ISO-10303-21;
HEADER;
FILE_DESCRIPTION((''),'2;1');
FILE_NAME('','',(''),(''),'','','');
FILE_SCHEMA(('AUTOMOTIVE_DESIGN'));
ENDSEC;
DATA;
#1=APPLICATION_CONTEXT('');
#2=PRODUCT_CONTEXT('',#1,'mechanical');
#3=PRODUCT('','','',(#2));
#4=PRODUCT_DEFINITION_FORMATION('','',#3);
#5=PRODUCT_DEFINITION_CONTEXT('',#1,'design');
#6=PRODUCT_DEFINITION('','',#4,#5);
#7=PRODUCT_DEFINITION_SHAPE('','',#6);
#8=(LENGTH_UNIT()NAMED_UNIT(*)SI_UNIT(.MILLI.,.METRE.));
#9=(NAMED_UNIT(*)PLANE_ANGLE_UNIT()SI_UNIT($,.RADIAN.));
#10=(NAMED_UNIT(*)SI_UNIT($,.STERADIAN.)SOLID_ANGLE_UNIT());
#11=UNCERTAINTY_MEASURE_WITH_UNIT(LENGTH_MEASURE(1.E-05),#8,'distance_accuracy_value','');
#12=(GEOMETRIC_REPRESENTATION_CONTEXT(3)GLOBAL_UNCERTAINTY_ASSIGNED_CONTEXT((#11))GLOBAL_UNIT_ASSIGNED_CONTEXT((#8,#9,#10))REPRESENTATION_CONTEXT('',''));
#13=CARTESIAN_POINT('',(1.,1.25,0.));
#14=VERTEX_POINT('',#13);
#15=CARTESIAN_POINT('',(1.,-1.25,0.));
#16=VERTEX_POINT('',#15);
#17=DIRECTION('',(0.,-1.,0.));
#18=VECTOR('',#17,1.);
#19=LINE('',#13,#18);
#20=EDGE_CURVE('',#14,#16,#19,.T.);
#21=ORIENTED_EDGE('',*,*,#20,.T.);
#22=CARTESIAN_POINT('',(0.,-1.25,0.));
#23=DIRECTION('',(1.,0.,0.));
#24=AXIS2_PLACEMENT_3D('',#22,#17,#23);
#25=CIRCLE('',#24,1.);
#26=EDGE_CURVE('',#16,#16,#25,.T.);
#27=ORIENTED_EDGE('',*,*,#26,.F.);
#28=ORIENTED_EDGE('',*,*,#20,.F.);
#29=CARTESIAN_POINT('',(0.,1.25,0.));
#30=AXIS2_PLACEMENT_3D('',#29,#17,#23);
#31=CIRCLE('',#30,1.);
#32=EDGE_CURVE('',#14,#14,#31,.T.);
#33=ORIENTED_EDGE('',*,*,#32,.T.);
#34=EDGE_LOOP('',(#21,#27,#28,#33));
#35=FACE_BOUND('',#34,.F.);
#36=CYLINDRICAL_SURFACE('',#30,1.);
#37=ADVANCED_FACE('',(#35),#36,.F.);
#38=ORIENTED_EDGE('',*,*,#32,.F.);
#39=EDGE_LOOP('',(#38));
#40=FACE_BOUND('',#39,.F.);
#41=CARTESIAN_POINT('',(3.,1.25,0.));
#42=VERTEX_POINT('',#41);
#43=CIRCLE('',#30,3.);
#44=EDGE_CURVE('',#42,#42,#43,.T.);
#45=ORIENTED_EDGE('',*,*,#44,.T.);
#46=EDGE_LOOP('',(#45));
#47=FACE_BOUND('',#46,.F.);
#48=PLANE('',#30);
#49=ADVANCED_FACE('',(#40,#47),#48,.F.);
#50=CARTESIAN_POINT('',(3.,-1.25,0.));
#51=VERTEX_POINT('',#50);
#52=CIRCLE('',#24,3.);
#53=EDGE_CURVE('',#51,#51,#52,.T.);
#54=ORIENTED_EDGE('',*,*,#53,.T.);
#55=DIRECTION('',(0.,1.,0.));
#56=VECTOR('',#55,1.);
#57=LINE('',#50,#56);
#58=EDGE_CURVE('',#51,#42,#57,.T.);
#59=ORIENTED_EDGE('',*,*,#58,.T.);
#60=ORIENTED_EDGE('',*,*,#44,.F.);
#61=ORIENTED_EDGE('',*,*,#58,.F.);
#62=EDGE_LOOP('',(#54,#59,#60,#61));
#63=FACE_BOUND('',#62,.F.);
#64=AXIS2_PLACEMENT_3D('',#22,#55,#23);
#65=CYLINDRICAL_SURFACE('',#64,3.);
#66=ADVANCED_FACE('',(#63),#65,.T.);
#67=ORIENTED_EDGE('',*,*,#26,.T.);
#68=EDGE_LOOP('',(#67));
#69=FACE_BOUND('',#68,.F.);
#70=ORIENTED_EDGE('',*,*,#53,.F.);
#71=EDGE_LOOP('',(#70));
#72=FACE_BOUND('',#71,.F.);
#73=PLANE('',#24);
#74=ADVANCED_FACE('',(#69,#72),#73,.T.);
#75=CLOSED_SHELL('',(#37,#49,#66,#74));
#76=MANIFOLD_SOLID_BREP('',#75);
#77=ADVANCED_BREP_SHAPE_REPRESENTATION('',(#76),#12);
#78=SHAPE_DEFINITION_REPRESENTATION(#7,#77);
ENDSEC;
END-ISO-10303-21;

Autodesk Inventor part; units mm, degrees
ref_plane "YZ Plane" through (0, 0, 0) normal (1, 0, 0) x (0, 1, 0)
ref_plane "XZ Plane" through (0, 0, 0) normal (0, 1, 0) x (-1, 0, 0)
ref_plane "XY Plane" through (0, 0, 0) normal (0, 0, 1) x (1, 0, 0)
sketch "Sketch1" plane through (0, 0, 0) normal (0, 0, 1) x (1, 0, 0)
  line L0 (3, 1.25) -> (1, 1.25)
  line L1 (1, 1.25) -> (1, -1.25)
  line L2 (1, -1.25) -> (3, -1.25)
  line L3 (3, -1.25) -> (3, 1.25)
  line L4 (0, 0) -> (0, -1.4359)
  point P0 (3, 0)
  dimension "d0" = 3
  dimension "d1" = 1
  dimension "d2" = 2.5
revolve "Revolution1" add sketch "Sketch1" angle 360 about axis through (0, 0, 0) along (0, -1, 0)
properties part number "2x6x2.5mm Bearing"
